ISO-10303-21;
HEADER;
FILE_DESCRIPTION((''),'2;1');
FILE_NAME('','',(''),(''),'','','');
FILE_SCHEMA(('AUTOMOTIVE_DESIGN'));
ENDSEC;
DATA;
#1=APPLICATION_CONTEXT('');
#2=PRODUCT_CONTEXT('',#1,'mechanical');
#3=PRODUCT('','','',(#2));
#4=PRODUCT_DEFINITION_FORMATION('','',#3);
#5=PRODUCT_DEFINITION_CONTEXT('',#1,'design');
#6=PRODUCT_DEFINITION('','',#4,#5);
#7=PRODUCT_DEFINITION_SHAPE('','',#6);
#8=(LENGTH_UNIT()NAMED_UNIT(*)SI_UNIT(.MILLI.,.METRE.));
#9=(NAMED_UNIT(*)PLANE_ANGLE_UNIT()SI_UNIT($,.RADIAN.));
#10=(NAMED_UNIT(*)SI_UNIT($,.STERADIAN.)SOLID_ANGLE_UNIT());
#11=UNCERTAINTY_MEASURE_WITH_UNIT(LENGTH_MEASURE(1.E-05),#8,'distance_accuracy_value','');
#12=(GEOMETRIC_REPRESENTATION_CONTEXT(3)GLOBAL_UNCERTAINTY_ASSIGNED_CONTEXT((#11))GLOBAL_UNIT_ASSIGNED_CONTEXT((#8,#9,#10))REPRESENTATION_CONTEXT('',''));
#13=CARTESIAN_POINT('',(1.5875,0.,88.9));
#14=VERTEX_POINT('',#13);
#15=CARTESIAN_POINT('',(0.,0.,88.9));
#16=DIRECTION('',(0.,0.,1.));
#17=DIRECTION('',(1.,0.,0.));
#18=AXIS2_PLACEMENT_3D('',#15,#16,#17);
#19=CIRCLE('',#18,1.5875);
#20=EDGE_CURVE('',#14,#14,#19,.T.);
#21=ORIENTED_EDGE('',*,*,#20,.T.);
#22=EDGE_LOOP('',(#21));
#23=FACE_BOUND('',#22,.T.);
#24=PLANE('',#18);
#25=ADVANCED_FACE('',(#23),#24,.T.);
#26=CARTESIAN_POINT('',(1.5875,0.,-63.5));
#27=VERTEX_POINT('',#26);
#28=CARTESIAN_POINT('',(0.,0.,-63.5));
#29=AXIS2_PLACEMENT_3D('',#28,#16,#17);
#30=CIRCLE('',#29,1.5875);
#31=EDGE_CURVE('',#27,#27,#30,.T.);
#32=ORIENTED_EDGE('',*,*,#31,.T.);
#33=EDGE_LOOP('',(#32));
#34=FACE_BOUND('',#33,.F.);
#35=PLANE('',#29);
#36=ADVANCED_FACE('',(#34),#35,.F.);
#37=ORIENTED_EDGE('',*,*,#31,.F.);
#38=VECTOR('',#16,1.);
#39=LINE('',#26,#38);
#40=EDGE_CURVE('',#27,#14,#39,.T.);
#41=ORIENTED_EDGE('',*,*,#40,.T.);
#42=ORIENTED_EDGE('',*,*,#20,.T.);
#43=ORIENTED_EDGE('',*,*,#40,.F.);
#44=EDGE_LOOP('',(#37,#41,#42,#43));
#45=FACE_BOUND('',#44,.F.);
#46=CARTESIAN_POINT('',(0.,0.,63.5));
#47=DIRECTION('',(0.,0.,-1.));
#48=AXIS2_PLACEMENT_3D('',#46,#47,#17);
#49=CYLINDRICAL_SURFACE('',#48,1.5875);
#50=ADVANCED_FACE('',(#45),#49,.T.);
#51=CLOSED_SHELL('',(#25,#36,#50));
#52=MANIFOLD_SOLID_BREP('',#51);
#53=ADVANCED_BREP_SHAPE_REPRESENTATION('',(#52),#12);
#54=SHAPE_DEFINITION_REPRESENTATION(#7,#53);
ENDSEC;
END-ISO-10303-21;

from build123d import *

# Parameters (mm, degrees)
F0_R      = 1.5875
F1_DEPTH  = 63.5
F1_FACE_R = 1.5875
F2_DEPTH  = 25.4


with BuildPart() as f1:
    # F0 (on Top) → F1 (new body, symmetric)
    with BuildSketch(Plane.XY):
        Circle(F0_R)
    extrude(amount=F1_DEPTH, both=True)

    # F1_face (on face) → F2 (join)
    with BuildSketch(Plane.XY.offset(63.5)):
        Circle(F1_FACE_R)
    extrude(amount=F2_DEPTH)


solid = f1.part
